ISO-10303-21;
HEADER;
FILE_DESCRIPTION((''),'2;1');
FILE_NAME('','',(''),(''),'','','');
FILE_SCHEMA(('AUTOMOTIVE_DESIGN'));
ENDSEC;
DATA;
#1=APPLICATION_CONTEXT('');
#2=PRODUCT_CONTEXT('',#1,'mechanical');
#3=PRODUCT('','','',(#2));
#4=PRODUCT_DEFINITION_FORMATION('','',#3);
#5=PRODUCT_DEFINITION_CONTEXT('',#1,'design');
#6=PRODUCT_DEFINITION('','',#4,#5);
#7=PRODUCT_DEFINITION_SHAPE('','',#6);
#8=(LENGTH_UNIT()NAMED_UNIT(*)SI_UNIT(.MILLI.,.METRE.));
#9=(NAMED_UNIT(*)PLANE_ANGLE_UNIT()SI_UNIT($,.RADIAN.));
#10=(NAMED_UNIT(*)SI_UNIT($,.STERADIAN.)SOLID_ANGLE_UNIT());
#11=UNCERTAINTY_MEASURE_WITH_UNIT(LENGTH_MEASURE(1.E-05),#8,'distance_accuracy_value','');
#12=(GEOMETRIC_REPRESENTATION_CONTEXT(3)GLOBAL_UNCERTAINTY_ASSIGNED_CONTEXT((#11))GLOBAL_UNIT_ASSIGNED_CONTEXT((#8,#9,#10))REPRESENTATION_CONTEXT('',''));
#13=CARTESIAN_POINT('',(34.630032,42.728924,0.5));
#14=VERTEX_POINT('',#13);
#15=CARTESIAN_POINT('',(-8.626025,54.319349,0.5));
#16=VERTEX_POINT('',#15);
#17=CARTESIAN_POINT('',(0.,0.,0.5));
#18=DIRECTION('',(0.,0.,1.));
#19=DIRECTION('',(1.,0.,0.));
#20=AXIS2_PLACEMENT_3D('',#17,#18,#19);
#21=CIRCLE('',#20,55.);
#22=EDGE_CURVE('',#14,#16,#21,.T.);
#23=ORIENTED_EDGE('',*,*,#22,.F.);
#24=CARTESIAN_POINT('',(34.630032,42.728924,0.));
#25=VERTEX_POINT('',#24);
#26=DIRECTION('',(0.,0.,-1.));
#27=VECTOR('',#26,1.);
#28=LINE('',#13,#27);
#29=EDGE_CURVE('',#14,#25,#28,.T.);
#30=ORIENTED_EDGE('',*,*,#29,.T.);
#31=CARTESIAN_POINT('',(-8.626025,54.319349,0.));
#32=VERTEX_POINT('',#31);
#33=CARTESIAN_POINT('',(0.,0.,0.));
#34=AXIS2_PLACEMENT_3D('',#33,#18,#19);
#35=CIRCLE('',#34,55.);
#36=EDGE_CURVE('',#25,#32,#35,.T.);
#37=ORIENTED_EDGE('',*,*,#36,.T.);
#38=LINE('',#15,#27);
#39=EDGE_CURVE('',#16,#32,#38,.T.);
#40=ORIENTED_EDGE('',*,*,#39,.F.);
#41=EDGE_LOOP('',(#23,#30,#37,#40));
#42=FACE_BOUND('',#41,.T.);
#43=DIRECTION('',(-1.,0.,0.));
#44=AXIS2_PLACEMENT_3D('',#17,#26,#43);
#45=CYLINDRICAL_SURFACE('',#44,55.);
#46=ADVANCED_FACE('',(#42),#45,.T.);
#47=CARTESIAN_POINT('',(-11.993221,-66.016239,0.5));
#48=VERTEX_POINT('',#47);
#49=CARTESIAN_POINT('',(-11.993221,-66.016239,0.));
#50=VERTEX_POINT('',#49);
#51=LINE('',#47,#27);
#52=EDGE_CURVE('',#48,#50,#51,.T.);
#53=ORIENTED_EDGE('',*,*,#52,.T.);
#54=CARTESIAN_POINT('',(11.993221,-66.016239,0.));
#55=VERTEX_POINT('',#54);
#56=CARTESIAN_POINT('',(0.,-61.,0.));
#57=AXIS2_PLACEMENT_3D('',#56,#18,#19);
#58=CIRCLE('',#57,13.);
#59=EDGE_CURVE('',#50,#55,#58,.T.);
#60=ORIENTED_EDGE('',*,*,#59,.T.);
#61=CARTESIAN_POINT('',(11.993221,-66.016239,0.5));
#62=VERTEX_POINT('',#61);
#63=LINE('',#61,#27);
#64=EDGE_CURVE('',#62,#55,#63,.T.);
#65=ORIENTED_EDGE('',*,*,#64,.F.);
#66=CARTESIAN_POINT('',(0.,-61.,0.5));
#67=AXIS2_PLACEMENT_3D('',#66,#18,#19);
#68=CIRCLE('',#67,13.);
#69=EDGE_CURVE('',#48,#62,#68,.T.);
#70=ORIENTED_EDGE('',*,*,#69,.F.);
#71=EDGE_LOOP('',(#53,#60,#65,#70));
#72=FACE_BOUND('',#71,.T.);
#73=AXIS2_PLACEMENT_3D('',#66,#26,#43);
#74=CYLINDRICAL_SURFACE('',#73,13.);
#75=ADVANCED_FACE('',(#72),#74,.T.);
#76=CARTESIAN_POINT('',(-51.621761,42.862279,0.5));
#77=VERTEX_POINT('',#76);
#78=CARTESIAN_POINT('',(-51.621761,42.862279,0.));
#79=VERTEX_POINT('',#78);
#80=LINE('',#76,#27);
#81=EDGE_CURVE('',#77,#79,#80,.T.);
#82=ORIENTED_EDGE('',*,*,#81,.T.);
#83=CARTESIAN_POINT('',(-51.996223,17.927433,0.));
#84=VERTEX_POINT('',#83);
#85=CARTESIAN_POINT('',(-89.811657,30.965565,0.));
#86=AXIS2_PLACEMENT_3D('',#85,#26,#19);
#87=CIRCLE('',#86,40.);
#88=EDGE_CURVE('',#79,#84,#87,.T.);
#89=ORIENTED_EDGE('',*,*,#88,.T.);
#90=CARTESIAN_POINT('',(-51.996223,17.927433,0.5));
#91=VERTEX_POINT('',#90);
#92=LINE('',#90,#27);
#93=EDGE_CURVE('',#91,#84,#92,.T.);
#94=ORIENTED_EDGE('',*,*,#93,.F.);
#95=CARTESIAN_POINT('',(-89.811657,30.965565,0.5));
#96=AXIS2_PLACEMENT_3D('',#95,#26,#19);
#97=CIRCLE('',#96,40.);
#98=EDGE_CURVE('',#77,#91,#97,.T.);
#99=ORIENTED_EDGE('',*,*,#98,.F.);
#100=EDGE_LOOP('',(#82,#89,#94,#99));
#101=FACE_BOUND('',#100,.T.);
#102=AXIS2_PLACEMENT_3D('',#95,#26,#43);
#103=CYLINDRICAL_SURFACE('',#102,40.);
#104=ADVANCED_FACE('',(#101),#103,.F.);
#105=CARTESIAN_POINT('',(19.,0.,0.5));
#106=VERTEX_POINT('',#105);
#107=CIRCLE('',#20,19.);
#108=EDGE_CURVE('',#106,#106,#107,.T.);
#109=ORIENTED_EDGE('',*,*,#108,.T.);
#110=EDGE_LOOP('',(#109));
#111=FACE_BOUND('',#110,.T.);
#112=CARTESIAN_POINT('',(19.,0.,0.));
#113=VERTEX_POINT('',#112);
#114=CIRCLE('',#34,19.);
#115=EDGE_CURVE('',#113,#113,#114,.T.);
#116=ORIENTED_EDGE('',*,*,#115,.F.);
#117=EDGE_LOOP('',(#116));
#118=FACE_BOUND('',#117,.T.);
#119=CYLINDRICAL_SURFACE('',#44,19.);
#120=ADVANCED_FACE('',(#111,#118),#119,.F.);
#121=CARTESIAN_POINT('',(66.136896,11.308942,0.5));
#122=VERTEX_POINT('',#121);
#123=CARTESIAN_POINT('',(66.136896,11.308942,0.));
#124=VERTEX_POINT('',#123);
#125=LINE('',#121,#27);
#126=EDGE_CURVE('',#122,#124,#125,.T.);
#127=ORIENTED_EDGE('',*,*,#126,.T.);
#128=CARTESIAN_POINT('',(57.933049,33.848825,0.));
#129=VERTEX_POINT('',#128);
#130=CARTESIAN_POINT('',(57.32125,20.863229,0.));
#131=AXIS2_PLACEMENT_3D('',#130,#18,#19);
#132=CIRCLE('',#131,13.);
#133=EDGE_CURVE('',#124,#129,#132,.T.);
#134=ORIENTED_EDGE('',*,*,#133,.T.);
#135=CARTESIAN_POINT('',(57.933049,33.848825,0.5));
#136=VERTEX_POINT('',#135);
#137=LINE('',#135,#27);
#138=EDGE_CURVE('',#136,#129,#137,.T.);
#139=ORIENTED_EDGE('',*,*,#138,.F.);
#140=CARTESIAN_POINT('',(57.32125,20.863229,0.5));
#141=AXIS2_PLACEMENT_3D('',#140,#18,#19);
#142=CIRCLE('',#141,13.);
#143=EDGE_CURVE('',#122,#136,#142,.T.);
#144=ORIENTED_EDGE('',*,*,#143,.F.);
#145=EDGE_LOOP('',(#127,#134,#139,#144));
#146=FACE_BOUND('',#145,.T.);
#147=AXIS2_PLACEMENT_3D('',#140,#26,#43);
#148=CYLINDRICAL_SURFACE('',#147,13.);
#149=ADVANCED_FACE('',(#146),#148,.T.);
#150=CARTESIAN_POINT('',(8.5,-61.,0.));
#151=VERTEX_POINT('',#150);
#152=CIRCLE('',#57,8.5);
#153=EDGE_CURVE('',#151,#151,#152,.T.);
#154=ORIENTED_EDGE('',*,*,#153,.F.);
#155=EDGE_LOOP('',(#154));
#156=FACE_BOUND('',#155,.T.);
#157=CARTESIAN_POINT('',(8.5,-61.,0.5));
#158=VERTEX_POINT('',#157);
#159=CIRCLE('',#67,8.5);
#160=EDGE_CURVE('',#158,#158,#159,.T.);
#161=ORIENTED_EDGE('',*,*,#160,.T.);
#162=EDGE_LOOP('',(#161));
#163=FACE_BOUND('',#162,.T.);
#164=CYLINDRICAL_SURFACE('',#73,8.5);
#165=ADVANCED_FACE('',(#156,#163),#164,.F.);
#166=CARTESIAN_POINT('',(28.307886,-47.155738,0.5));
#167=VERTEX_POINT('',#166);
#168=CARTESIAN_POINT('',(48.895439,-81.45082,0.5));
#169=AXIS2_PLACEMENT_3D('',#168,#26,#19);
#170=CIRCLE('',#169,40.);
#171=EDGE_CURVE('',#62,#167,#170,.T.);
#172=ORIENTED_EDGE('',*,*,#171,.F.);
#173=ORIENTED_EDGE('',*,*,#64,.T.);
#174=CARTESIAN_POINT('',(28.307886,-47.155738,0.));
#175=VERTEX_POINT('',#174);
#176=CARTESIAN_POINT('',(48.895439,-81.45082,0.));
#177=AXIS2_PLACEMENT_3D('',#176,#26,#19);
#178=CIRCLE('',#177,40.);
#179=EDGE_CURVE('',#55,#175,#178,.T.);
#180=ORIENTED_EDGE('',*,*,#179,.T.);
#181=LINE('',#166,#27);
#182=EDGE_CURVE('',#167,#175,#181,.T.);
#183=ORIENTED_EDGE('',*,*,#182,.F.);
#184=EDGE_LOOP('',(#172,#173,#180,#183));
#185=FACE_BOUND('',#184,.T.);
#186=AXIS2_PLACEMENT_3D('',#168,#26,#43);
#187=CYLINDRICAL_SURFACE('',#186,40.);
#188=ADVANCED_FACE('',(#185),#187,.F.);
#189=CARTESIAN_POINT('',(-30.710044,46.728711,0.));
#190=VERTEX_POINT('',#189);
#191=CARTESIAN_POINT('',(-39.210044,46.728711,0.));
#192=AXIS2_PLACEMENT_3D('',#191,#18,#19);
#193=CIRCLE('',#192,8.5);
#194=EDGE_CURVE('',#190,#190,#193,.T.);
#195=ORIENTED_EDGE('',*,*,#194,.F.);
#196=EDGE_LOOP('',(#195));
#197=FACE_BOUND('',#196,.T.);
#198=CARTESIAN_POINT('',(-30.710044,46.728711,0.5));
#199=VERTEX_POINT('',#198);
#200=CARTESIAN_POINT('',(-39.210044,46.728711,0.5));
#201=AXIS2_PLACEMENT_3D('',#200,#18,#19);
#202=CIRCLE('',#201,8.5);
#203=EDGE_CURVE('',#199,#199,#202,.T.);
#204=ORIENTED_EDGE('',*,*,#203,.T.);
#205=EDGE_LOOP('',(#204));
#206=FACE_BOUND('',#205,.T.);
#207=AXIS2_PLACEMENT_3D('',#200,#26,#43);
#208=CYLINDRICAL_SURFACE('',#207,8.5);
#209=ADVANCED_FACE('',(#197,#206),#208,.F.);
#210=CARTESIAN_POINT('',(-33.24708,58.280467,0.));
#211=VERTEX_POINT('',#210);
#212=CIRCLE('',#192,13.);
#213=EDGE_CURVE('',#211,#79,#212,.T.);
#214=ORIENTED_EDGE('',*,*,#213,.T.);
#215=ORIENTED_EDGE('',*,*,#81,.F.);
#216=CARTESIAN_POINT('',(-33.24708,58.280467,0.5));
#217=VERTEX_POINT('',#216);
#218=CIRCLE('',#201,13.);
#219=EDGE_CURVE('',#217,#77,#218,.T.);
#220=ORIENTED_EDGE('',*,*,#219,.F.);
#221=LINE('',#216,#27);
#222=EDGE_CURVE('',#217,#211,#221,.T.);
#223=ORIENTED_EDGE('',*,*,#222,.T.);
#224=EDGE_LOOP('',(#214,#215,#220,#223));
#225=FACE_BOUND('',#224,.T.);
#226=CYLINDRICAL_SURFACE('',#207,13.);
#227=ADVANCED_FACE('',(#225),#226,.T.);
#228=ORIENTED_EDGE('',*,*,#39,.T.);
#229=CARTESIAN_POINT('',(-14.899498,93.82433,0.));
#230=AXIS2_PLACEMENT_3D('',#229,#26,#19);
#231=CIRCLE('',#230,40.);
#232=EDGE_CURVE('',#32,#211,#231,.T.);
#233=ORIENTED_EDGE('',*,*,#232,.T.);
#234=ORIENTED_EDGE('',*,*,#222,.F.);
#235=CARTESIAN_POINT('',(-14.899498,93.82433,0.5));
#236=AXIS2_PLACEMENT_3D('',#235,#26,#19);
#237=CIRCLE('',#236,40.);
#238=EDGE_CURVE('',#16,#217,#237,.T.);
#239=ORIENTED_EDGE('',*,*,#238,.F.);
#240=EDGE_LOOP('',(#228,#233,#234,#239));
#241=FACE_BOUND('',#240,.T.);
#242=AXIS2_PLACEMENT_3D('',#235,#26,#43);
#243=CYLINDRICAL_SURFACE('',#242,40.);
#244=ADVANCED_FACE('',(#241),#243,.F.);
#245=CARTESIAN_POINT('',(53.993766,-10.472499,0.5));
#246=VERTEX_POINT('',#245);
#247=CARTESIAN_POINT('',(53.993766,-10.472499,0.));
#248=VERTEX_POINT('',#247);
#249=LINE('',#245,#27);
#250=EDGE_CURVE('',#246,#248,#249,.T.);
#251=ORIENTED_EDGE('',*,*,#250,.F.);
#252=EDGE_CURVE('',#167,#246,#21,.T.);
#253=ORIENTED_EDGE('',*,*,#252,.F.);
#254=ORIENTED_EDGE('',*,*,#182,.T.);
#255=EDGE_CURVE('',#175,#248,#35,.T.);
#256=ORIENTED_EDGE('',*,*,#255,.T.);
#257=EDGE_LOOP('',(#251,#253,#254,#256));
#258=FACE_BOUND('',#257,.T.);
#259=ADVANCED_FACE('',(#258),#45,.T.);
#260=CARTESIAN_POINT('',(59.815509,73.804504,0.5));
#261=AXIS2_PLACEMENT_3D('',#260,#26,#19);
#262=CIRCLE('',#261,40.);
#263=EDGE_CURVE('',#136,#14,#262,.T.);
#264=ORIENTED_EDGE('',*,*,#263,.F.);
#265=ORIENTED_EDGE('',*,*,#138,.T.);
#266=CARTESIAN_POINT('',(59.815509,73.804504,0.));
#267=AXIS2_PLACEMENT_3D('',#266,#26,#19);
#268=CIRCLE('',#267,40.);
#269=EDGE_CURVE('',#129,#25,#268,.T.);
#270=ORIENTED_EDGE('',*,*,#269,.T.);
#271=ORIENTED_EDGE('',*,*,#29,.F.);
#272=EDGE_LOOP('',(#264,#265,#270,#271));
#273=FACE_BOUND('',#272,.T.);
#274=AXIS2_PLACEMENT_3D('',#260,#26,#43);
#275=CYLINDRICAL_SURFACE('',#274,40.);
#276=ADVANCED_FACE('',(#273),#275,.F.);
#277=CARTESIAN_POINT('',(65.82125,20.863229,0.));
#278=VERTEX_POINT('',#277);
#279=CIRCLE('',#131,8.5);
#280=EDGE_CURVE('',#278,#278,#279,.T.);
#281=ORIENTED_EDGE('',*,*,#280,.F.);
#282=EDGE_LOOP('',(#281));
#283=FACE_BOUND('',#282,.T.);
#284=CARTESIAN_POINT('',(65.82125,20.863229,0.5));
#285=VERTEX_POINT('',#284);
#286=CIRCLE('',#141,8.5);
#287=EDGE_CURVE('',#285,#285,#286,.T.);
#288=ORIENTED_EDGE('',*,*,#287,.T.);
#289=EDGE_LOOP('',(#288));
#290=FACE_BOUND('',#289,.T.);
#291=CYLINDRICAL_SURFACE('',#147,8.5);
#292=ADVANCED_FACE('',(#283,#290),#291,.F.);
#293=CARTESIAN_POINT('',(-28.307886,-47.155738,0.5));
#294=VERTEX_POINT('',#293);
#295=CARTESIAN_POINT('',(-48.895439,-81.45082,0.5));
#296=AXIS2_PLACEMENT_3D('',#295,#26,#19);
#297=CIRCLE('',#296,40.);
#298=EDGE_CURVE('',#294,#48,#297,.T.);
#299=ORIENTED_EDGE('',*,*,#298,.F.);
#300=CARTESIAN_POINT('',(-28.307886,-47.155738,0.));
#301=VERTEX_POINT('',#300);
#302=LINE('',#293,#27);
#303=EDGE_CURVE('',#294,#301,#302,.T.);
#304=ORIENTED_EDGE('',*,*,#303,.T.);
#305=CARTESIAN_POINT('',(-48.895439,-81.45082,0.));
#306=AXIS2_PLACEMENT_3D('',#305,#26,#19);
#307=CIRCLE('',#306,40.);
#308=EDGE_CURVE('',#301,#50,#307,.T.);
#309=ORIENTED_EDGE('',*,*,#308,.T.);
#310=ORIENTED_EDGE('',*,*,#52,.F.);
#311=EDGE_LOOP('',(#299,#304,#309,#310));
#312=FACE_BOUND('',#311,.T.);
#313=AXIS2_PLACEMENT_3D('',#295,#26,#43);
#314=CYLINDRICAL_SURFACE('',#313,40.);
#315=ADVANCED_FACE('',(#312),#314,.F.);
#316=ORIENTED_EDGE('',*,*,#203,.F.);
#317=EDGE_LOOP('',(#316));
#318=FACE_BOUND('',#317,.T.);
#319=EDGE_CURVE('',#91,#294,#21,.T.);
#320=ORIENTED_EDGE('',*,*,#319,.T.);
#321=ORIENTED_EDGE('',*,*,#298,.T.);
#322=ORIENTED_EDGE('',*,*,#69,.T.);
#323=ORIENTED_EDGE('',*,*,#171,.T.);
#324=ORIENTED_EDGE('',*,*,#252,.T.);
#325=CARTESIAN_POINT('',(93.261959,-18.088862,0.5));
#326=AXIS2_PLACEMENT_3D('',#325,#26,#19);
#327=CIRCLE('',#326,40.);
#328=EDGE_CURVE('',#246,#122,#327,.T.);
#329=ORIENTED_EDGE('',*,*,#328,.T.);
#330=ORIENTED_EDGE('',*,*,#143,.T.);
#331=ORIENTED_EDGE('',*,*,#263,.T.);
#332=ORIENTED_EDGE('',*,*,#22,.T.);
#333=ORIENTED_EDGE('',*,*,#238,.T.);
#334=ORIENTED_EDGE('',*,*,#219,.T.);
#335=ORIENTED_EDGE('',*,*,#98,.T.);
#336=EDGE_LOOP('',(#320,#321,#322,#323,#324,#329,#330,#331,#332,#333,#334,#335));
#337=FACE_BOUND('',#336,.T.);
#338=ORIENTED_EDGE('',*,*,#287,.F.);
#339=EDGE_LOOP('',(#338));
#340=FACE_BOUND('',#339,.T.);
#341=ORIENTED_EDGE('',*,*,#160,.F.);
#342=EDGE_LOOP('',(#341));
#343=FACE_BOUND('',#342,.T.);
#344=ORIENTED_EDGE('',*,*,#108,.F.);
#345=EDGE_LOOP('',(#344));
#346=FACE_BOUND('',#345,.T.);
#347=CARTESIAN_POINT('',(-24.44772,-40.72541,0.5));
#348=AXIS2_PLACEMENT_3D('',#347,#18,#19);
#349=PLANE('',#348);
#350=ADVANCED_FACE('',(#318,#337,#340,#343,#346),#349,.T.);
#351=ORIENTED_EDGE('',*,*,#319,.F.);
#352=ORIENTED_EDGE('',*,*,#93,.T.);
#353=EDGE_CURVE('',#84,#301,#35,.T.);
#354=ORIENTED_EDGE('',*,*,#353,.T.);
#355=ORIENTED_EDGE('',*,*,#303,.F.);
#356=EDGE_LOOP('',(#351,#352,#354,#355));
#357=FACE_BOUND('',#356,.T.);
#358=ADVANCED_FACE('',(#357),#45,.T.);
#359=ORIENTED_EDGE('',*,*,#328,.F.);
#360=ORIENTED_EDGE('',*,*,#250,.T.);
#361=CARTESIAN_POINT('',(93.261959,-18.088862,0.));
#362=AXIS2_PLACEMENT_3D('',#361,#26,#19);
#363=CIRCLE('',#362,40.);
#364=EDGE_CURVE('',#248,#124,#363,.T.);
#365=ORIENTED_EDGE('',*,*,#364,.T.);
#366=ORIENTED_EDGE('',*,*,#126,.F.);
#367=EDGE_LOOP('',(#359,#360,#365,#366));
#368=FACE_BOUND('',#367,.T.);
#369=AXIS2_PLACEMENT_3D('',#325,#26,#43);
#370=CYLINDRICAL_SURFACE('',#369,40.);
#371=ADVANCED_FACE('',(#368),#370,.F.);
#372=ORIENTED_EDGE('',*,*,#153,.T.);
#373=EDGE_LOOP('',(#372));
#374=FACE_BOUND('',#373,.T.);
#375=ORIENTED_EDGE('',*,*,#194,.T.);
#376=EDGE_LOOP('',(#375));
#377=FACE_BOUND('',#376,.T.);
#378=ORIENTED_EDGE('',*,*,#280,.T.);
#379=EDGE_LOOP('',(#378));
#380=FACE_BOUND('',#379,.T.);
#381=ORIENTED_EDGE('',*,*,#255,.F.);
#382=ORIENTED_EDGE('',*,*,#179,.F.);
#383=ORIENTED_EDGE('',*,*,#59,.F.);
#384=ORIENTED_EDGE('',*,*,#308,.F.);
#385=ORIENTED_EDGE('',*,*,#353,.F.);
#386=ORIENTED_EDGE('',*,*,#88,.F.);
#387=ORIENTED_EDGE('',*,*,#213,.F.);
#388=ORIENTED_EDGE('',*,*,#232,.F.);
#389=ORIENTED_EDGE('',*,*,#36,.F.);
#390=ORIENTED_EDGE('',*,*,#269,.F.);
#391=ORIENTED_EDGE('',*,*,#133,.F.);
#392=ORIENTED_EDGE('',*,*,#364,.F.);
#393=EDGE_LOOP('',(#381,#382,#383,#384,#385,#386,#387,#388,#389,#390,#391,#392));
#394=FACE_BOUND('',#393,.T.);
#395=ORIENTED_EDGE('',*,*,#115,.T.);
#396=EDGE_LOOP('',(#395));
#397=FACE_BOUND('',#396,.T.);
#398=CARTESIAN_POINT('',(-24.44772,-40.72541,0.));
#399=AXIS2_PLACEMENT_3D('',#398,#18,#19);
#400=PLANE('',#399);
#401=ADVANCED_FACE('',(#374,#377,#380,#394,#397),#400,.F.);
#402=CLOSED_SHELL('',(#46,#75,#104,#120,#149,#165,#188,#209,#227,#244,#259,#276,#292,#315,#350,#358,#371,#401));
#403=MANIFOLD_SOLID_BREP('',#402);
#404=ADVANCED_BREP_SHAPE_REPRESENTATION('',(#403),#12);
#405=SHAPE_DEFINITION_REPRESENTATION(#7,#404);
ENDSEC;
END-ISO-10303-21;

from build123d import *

# Parameters (mm, degrees)
SKETCH1_R      = 8.5
SKETCH1_R_2    = 19
EXTRUDE1_DEPTH = 0.5


with BuildPart() as part:
    # Sketch1 → Extrude1 (new body)
    with BuildSketch(Plane.XY):
        with BuildLine():
            ThreePointArc((-11.993220936, -66.016238788), (0, -74), (11.993220936, -66.016238788))
            ThreePointArc((11.993220936, -66.016238788), (18.643198205, -55.282099515), (28.307885854, -47.155737705))
            ThreePointArc((28.307885854, -47.155737705), (45.053362436, -31.546703999), (53.993765926, -10.472499278))
            ThreePointArc((53.993765926, -10.472499278), (58.324530298, 1.388715818), (66.136895584, 11.308942239))
            ThreePointArc((66.136895584, 11.308942239), (69.537253938, 25.309490606), (57.933049297, 33.848824665))
            ThreePointArc((57.933049297, 33.848824665), (45.571831653, 36.426467381), (34.630031572, 42.728923615))
            ThreePointArc((34.630031572, 42.728923615), (14.235047481, 53.125920446), (-8.626025268, 54.319349113))
            ThreePointArc((-8.626025268, 54.319349113), (-21.253130218, 54.332161948), (-33.247080077, 58.280466697))
            ThreePointArc((-33.247080077, 58.280466697), (-47.566283117, 56.687288791), (-51.621760584, 42.862279061))
            ThreePointArc((-51.621760584, 42.862279061), (-49.816166993, 30.364928326), (-51.996222577, 17.927432547))
            ThreePointArc((-51.996222577, 17.927432547), (-51.683094143, -18.811107883), (-28.307885854, -47.155737705))
            ThreePointArc((-28.307885854, -47.155737705), (-18.643198205, -55.282099515), (-11.993220936, -66.016238788))
        make_face()
        with Locations((57.321249868, 20.863228743)):
            Circle(SKETCH1_R, mode=Mode.SUBTRACT)
        with Locations((-39.210044191, 46.72871103)):
            Circle(SKETCH1_R, mode=Mode.SUBTRACT)
        with Locations((0, -61)):
            Circle(SKETCH1_R, mode=Mode.SUBTRACT)
        Circle(SKETCH1_R_2, mode=Mode.SUBTRACT)
    extrude(amount=EXTRUDE1_DEPTH)


solid = part.part
